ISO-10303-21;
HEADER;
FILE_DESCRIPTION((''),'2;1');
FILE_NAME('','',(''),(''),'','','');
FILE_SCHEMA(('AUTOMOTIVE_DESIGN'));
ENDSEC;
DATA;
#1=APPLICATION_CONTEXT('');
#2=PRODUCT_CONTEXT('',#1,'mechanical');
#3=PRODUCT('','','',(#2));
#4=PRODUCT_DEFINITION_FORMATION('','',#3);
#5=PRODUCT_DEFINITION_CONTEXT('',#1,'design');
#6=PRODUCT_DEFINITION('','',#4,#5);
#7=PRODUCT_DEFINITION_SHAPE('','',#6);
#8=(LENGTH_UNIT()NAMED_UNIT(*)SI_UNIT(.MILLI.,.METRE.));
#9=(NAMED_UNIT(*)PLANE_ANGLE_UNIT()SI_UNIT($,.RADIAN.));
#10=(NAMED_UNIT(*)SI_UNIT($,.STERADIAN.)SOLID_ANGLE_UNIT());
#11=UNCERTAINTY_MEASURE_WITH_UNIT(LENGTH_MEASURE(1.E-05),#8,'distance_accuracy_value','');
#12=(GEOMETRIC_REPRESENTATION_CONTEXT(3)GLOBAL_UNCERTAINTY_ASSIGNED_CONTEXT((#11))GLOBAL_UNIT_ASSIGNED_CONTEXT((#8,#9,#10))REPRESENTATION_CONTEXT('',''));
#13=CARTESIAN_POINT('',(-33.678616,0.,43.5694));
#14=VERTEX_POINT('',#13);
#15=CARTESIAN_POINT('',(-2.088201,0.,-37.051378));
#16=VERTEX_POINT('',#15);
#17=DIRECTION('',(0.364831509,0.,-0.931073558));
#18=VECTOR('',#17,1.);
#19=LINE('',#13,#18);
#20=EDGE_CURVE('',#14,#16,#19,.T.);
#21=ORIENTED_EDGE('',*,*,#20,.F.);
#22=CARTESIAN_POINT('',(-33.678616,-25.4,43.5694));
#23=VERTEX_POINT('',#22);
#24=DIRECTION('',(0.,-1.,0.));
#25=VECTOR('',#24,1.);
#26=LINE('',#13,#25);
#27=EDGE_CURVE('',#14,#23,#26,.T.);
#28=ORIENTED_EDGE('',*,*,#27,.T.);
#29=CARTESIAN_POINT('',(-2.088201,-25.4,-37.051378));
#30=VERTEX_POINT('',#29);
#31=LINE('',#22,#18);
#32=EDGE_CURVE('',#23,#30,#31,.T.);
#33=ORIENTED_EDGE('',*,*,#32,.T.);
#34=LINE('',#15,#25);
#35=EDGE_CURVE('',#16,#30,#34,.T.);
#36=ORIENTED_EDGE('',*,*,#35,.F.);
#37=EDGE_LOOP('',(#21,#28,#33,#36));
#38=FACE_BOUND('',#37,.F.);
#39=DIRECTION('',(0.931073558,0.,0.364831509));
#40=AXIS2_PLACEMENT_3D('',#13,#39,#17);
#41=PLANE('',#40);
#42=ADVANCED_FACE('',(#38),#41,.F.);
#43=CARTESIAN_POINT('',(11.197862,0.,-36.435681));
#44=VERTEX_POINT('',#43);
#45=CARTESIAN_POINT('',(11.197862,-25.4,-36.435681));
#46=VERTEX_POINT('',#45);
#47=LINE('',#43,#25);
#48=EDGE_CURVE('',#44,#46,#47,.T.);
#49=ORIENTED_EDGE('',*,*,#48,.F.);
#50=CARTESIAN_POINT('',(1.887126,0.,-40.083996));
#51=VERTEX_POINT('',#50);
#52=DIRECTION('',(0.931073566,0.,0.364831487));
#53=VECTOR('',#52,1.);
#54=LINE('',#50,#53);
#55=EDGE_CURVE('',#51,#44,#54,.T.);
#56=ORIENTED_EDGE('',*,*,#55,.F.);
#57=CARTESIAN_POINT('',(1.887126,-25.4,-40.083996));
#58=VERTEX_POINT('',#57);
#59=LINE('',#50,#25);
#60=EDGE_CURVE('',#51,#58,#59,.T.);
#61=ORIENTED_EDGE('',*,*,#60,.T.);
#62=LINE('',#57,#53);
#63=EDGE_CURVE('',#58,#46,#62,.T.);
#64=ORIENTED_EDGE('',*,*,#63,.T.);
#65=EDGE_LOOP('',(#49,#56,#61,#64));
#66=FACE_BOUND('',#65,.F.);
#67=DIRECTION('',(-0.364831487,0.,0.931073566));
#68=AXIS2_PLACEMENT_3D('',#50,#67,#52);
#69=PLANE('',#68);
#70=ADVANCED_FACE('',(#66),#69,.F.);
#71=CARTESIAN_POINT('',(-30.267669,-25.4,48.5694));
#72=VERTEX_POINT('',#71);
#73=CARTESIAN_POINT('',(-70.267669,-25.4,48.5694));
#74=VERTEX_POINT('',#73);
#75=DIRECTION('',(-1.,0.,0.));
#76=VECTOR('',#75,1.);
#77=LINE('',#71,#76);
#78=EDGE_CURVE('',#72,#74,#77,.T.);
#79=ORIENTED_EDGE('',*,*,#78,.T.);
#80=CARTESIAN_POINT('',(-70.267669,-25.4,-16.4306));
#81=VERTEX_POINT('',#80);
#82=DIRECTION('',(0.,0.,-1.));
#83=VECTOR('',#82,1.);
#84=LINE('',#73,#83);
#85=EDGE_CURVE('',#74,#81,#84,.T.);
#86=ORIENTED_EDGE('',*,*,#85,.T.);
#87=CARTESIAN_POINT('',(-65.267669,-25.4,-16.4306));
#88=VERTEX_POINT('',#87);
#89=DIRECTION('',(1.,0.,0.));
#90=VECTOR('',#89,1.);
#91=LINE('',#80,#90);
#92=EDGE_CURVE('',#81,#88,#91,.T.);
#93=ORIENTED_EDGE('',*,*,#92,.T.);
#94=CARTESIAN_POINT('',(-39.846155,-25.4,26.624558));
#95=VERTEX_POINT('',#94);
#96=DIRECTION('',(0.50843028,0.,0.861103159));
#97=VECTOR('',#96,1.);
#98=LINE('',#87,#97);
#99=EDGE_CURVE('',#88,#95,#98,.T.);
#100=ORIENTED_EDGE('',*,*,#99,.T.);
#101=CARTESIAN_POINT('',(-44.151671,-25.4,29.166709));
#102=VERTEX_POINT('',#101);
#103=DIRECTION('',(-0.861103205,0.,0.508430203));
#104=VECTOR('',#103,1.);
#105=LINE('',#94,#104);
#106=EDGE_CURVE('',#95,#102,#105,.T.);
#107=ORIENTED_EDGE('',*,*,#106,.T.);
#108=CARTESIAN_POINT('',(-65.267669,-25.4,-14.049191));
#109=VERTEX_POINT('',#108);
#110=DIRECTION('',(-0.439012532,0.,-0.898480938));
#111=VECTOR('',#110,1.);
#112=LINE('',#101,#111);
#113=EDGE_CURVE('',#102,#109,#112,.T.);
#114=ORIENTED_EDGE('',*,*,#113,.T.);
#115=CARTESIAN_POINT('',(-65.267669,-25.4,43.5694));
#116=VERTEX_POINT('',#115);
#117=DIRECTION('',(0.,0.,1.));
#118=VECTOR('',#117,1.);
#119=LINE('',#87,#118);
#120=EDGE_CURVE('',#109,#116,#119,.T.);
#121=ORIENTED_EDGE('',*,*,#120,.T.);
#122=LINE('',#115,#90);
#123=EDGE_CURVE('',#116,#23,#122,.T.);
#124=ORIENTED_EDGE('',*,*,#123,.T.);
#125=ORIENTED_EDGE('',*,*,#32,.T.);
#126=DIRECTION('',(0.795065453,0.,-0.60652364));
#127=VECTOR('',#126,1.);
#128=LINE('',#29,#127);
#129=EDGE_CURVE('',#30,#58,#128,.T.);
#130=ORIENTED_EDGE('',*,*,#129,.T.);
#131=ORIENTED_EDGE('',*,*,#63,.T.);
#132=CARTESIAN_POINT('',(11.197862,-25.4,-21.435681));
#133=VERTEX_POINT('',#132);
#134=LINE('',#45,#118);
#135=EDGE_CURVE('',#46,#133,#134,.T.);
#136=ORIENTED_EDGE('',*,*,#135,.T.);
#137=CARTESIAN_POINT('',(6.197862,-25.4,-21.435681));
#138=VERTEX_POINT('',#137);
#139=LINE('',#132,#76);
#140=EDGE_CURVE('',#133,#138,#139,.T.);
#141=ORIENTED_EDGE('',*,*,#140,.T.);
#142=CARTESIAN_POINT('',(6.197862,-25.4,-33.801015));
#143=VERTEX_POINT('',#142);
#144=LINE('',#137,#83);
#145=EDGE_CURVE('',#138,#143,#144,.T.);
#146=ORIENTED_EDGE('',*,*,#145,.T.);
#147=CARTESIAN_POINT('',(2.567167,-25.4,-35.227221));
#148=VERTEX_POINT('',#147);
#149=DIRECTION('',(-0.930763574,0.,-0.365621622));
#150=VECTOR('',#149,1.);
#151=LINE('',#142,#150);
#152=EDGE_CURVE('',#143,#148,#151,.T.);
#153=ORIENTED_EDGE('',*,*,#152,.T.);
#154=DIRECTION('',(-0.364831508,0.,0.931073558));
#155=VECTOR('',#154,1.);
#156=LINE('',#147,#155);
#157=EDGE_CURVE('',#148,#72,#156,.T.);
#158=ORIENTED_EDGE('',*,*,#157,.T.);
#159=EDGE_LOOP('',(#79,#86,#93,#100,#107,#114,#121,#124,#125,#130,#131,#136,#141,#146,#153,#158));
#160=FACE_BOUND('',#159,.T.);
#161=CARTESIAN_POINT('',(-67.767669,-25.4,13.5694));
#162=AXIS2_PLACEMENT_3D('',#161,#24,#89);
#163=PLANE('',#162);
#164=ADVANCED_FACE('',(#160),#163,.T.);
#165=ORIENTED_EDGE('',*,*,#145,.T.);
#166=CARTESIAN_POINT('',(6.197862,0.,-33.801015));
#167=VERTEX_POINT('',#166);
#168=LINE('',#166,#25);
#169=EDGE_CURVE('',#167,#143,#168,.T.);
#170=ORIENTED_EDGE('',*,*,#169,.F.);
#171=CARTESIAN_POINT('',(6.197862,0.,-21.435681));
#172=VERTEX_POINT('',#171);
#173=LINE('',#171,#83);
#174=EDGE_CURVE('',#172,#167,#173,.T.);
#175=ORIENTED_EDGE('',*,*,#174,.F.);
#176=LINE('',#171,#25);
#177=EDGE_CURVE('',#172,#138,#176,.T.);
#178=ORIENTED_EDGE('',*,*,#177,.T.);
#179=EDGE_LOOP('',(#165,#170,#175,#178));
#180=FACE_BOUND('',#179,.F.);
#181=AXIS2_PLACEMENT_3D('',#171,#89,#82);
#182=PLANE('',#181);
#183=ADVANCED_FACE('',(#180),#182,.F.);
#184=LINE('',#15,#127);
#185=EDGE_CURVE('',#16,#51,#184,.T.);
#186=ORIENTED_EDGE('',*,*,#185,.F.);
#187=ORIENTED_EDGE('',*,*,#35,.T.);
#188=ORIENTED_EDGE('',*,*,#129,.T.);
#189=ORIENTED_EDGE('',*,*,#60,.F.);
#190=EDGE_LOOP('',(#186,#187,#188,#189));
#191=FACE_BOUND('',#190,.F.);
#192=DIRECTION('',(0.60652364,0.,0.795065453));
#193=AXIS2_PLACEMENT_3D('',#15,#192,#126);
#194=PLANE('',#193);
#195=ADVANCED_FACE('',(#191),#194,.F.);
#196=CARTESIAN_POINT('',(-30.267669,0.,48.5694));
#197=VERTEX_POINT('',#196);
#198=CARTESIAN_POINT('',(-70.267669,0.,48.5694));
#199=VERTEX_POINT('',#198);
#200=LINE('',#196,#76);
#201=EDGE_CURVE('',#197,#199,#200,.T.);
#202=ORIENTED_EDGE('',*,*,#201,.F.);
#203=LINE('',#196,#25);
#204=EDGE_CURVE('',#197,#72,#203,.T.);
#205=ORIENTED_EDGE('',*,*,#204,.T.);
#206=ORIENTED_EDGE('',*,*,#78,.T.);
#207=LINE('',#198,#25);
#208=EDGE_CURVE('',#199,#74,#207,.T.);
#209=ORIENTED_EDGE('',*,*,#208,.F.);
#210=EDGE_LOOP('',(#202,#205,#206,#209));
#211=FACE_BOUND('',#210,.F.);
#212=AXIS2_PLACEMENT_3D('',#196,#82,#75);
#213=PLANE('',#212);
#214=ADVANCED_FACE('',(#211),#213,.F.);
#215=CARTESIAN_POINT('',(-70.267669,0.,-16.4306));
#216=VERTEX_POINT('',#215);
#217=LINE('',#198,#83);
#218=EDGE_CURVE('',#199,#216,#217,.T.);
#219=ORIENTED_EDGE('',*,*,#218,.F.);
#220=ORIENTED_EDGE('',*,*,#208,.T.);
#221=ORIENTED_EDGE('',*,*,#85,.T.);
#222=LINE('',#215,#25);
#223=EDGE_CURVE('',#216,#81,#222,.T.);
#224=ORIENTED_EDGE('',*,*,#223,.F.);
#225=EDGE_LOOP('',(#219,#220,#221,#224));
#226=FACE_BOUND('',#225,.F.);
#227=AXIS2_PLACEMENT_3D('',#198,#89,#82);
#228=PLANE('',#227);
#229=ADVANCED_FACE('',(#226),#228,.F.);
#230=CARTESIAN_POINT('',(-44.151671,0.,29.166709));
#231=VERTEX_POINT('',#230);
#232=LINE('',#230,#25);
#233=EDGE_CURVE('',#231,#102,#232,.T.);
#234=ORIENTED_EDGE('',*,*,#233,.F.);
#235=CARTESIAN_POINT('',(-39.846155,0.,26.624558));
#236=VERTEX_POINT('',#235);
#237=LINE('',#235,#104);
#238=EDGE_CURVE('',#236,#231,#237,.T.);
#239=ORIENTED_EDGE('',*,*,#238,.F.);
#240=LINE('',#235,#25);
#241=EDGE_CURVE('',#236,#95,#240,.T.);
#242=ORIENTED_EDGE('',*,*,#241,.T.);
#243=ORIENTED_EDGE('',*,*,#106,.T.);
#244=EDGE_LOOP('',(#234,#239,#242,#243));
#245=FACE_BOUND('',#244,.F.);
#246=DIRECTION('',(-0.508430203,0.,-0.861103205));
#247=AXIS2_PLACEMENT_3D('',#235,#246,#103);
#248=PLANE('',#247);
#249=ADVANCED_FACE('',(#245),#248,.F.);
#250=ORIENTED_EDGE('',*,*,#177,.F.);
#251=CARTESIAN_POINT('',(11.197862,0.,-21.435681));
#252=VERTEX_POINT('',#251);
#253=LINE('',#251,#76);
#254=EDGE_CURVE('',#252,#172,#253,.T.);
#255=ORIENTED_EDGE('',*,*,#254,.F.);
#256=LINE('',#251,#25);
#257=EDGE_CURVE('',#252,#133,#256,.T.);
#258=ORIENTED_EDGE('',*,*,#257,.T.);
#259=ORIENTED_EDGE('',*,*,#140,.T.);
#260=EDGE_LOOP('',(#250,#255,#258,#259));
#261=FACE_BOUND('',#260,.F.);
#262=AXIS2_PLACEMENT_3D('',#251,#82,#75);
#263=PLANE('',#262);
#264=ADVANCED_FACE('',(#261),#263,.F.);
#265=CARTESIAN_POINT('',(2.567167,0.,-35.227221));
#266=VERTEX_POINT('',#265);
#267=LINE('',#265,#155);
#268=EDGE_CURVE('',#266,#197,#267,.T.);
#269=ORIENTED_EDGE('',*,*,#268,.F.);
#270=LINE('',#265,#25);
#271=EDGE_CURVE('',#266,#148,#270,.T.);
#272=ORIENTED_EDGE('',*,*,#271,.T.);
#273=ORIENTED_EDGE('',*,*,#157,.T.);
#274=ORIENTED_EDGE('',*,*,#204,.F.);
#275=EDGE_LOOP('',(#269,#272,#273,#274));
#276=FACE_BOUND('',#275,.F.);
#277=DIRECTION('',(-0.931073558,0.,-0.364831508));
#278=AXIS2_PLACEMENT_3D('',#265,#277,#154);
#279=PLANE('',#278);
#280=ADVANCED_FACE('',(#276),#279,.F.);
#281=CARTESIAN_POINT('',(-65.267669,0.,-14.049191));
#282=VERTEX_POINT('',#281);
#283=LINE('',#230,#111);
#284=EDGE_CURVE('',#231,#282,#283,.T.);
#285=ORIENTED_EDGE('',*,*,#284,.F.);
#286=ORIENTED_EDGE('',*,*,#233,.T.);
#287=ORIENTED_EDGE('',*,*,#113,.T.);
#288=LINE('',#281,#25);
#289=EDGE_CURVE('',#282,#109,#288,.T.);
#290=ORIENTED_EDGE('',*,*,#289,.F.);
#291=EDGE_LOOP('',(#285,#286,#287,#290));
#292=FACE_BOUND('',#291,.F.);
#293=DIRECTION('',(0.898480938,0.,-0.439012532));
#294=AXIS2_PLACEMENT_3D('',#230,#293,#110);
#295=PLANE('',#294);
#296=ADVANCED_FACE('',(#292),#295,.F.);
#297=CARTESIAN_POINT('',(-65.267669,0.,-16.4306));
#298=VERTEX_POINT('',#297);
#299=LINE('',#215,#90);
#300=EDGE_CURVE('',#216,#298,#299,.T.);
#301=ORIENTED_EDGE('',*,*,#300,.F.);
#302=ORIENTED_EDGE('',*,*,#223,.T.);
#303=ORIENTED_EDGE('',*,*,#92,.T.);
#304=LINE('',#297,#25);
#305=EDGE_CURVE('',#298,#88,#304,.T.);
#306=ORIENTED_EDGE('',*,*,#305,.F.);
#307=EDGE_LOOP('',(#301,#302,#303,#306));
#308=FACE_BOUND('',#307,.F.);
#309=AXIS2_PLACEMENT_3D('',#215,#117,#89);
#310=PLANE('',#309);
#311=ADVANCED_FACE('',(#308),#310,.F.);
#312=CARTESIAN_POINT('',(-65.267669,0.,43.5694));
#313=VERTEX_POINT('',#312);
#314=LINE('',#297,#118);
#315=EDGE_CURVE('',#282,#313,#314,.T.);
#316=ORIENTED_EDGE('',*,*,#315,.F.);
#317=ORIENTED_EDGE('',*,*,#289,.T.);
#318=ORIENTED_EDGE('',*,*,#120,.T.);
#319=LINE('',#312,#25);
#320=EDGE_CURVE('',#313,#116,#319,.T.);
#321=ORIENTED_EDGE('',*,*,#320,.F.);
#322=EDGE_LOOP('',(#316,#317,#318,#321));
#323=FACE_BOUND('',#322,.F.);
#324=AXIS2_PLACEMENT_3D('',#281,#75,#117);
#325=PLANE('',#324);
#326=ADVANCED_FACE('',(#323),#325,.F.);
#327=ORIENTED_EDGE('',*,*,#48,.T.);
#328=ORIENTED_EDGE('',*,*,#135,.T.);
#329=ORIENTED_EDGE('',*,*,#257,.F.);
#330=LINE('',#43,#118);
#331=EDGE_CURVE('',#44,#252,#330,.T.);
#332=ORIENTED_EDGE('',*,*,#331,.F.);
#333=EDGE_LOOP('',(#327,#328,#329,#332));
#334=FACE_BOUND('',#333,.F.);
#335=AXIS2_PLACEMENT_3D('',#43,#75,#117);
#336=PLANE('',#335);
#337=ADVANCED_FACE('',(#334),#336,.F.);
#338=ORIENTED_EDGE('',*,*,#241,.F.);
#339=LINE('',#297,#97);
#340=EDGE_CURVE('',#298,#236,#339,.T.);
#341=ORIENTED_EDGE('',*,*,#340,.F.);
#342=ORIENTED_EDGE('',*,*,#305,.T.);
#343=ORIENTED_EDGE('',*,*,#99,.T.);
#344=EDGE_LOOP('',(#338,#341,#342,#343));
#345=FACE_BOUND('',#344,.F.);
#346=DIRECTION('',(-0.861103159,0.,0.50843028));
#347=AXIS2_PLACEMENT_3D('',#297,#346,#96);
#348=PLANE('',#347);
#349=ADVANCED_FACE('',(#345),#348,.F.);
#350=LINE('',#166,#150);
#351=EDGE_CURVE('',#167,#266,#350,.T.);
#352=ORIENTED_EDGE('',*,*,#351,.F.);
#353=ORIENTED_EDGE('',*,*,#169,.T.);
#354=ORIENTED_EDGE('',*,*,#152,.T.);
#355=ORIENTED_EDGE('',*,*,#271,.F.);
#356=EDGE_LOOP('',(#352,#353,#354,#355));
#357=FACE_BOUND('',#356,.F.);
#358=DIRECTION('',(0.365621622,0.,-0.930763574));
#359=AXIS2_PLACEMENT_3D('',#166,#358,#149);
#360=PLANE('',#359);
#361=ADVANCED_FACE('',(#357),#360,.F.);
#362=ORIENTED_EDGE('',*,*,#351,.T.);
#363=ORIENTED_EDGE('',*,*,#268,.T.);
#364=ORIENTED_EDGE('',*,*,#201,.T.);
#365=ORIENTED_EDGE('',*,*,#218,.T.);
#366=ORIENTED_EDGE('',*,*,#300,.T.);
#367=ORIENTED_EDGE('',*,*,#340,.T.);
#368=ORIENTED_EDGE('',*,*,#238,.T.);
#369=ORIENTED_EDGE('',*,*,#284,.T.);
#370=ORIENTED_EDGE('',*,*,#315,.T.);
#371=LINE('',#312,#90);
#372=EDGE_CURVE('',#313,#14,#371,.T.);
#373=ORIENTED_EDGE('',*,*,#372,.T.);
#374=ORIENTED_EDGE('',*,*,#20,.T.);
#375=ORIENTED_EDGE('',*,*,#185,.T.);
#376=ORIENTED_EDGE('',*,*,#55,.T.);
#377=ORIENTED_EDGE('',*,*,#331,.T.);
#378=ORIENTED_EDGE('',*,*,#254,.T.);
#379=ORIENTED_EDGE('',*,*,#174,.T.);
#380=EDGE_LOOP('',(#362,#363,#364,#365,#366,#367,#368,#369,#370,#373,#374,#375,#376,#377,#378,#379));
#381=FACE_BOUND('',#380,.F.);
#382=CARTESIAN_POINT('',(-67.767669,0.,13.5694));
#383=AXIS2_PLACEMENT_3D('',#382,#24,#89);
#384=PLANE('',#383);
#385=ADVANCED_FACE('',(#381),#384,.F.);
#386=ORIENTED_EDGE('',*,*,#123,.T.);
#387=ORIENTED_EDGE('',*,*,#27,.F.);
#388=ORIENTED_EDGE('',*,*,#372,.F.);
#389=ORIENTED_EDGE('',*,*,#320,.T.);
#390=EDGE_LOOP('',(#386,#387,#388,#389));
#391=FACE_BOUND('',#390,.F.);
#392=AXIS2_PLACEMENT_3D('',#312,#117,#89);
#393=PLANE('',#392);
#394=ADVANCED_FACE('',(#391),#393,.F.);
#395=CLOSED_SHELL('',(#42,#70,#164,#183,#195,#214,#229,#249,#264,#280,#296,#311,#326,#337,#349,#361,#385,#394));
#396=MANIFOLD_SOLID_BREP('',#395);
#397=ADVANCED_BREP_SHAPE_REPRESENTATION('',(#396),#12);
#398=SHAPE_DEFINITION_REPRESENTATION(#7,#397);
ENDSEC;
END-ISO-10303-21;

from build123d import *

# Parameters (mm, degrees)
F1_DEPTH = 25.4


with BuildPart() as f1:
    # F0 (on Front) → F1 (new body)
    with BuildSketch(Plane.XZ):
        Polygon((-65.267669, 43.5694), (-70.267669, 43.5694), (-70.267669, -16.4306), (-65.267669, -16.4306), (-65.267669, -14.049191), align=None)
        Polygon((-70.267669, 48.5694), (-70.267669, 43.5694), (-65.267669, 43.5694), (-33.678616, 43.5694), (-30.267669, 43.5694), (-30.267669, 48.5694), align=None)
        Polygon((-65.267669, -14.049191), (-65.267669, -16.4306), (-39.846155, 26.624558), (-44.151671, 29.166709), align=None)
        Polygon((-30.267669, 43.5694), (-33.678616, 43.5694), (-2.088201, -37.051378), (2.567167, -35.227221), (-30.267669, 48.5694), align=None)
        Polygon((2.567167, -35.227221), (-2.088201, -37.051378), (1.887126, -40.083996), (11.197862, -36.435681), (11.197862, -21.435681), (6.197862, -21.435681), (6.197862, -33.801015), align=None)
    extrude(amount=F1_DEPTH)


solid = f1.part
